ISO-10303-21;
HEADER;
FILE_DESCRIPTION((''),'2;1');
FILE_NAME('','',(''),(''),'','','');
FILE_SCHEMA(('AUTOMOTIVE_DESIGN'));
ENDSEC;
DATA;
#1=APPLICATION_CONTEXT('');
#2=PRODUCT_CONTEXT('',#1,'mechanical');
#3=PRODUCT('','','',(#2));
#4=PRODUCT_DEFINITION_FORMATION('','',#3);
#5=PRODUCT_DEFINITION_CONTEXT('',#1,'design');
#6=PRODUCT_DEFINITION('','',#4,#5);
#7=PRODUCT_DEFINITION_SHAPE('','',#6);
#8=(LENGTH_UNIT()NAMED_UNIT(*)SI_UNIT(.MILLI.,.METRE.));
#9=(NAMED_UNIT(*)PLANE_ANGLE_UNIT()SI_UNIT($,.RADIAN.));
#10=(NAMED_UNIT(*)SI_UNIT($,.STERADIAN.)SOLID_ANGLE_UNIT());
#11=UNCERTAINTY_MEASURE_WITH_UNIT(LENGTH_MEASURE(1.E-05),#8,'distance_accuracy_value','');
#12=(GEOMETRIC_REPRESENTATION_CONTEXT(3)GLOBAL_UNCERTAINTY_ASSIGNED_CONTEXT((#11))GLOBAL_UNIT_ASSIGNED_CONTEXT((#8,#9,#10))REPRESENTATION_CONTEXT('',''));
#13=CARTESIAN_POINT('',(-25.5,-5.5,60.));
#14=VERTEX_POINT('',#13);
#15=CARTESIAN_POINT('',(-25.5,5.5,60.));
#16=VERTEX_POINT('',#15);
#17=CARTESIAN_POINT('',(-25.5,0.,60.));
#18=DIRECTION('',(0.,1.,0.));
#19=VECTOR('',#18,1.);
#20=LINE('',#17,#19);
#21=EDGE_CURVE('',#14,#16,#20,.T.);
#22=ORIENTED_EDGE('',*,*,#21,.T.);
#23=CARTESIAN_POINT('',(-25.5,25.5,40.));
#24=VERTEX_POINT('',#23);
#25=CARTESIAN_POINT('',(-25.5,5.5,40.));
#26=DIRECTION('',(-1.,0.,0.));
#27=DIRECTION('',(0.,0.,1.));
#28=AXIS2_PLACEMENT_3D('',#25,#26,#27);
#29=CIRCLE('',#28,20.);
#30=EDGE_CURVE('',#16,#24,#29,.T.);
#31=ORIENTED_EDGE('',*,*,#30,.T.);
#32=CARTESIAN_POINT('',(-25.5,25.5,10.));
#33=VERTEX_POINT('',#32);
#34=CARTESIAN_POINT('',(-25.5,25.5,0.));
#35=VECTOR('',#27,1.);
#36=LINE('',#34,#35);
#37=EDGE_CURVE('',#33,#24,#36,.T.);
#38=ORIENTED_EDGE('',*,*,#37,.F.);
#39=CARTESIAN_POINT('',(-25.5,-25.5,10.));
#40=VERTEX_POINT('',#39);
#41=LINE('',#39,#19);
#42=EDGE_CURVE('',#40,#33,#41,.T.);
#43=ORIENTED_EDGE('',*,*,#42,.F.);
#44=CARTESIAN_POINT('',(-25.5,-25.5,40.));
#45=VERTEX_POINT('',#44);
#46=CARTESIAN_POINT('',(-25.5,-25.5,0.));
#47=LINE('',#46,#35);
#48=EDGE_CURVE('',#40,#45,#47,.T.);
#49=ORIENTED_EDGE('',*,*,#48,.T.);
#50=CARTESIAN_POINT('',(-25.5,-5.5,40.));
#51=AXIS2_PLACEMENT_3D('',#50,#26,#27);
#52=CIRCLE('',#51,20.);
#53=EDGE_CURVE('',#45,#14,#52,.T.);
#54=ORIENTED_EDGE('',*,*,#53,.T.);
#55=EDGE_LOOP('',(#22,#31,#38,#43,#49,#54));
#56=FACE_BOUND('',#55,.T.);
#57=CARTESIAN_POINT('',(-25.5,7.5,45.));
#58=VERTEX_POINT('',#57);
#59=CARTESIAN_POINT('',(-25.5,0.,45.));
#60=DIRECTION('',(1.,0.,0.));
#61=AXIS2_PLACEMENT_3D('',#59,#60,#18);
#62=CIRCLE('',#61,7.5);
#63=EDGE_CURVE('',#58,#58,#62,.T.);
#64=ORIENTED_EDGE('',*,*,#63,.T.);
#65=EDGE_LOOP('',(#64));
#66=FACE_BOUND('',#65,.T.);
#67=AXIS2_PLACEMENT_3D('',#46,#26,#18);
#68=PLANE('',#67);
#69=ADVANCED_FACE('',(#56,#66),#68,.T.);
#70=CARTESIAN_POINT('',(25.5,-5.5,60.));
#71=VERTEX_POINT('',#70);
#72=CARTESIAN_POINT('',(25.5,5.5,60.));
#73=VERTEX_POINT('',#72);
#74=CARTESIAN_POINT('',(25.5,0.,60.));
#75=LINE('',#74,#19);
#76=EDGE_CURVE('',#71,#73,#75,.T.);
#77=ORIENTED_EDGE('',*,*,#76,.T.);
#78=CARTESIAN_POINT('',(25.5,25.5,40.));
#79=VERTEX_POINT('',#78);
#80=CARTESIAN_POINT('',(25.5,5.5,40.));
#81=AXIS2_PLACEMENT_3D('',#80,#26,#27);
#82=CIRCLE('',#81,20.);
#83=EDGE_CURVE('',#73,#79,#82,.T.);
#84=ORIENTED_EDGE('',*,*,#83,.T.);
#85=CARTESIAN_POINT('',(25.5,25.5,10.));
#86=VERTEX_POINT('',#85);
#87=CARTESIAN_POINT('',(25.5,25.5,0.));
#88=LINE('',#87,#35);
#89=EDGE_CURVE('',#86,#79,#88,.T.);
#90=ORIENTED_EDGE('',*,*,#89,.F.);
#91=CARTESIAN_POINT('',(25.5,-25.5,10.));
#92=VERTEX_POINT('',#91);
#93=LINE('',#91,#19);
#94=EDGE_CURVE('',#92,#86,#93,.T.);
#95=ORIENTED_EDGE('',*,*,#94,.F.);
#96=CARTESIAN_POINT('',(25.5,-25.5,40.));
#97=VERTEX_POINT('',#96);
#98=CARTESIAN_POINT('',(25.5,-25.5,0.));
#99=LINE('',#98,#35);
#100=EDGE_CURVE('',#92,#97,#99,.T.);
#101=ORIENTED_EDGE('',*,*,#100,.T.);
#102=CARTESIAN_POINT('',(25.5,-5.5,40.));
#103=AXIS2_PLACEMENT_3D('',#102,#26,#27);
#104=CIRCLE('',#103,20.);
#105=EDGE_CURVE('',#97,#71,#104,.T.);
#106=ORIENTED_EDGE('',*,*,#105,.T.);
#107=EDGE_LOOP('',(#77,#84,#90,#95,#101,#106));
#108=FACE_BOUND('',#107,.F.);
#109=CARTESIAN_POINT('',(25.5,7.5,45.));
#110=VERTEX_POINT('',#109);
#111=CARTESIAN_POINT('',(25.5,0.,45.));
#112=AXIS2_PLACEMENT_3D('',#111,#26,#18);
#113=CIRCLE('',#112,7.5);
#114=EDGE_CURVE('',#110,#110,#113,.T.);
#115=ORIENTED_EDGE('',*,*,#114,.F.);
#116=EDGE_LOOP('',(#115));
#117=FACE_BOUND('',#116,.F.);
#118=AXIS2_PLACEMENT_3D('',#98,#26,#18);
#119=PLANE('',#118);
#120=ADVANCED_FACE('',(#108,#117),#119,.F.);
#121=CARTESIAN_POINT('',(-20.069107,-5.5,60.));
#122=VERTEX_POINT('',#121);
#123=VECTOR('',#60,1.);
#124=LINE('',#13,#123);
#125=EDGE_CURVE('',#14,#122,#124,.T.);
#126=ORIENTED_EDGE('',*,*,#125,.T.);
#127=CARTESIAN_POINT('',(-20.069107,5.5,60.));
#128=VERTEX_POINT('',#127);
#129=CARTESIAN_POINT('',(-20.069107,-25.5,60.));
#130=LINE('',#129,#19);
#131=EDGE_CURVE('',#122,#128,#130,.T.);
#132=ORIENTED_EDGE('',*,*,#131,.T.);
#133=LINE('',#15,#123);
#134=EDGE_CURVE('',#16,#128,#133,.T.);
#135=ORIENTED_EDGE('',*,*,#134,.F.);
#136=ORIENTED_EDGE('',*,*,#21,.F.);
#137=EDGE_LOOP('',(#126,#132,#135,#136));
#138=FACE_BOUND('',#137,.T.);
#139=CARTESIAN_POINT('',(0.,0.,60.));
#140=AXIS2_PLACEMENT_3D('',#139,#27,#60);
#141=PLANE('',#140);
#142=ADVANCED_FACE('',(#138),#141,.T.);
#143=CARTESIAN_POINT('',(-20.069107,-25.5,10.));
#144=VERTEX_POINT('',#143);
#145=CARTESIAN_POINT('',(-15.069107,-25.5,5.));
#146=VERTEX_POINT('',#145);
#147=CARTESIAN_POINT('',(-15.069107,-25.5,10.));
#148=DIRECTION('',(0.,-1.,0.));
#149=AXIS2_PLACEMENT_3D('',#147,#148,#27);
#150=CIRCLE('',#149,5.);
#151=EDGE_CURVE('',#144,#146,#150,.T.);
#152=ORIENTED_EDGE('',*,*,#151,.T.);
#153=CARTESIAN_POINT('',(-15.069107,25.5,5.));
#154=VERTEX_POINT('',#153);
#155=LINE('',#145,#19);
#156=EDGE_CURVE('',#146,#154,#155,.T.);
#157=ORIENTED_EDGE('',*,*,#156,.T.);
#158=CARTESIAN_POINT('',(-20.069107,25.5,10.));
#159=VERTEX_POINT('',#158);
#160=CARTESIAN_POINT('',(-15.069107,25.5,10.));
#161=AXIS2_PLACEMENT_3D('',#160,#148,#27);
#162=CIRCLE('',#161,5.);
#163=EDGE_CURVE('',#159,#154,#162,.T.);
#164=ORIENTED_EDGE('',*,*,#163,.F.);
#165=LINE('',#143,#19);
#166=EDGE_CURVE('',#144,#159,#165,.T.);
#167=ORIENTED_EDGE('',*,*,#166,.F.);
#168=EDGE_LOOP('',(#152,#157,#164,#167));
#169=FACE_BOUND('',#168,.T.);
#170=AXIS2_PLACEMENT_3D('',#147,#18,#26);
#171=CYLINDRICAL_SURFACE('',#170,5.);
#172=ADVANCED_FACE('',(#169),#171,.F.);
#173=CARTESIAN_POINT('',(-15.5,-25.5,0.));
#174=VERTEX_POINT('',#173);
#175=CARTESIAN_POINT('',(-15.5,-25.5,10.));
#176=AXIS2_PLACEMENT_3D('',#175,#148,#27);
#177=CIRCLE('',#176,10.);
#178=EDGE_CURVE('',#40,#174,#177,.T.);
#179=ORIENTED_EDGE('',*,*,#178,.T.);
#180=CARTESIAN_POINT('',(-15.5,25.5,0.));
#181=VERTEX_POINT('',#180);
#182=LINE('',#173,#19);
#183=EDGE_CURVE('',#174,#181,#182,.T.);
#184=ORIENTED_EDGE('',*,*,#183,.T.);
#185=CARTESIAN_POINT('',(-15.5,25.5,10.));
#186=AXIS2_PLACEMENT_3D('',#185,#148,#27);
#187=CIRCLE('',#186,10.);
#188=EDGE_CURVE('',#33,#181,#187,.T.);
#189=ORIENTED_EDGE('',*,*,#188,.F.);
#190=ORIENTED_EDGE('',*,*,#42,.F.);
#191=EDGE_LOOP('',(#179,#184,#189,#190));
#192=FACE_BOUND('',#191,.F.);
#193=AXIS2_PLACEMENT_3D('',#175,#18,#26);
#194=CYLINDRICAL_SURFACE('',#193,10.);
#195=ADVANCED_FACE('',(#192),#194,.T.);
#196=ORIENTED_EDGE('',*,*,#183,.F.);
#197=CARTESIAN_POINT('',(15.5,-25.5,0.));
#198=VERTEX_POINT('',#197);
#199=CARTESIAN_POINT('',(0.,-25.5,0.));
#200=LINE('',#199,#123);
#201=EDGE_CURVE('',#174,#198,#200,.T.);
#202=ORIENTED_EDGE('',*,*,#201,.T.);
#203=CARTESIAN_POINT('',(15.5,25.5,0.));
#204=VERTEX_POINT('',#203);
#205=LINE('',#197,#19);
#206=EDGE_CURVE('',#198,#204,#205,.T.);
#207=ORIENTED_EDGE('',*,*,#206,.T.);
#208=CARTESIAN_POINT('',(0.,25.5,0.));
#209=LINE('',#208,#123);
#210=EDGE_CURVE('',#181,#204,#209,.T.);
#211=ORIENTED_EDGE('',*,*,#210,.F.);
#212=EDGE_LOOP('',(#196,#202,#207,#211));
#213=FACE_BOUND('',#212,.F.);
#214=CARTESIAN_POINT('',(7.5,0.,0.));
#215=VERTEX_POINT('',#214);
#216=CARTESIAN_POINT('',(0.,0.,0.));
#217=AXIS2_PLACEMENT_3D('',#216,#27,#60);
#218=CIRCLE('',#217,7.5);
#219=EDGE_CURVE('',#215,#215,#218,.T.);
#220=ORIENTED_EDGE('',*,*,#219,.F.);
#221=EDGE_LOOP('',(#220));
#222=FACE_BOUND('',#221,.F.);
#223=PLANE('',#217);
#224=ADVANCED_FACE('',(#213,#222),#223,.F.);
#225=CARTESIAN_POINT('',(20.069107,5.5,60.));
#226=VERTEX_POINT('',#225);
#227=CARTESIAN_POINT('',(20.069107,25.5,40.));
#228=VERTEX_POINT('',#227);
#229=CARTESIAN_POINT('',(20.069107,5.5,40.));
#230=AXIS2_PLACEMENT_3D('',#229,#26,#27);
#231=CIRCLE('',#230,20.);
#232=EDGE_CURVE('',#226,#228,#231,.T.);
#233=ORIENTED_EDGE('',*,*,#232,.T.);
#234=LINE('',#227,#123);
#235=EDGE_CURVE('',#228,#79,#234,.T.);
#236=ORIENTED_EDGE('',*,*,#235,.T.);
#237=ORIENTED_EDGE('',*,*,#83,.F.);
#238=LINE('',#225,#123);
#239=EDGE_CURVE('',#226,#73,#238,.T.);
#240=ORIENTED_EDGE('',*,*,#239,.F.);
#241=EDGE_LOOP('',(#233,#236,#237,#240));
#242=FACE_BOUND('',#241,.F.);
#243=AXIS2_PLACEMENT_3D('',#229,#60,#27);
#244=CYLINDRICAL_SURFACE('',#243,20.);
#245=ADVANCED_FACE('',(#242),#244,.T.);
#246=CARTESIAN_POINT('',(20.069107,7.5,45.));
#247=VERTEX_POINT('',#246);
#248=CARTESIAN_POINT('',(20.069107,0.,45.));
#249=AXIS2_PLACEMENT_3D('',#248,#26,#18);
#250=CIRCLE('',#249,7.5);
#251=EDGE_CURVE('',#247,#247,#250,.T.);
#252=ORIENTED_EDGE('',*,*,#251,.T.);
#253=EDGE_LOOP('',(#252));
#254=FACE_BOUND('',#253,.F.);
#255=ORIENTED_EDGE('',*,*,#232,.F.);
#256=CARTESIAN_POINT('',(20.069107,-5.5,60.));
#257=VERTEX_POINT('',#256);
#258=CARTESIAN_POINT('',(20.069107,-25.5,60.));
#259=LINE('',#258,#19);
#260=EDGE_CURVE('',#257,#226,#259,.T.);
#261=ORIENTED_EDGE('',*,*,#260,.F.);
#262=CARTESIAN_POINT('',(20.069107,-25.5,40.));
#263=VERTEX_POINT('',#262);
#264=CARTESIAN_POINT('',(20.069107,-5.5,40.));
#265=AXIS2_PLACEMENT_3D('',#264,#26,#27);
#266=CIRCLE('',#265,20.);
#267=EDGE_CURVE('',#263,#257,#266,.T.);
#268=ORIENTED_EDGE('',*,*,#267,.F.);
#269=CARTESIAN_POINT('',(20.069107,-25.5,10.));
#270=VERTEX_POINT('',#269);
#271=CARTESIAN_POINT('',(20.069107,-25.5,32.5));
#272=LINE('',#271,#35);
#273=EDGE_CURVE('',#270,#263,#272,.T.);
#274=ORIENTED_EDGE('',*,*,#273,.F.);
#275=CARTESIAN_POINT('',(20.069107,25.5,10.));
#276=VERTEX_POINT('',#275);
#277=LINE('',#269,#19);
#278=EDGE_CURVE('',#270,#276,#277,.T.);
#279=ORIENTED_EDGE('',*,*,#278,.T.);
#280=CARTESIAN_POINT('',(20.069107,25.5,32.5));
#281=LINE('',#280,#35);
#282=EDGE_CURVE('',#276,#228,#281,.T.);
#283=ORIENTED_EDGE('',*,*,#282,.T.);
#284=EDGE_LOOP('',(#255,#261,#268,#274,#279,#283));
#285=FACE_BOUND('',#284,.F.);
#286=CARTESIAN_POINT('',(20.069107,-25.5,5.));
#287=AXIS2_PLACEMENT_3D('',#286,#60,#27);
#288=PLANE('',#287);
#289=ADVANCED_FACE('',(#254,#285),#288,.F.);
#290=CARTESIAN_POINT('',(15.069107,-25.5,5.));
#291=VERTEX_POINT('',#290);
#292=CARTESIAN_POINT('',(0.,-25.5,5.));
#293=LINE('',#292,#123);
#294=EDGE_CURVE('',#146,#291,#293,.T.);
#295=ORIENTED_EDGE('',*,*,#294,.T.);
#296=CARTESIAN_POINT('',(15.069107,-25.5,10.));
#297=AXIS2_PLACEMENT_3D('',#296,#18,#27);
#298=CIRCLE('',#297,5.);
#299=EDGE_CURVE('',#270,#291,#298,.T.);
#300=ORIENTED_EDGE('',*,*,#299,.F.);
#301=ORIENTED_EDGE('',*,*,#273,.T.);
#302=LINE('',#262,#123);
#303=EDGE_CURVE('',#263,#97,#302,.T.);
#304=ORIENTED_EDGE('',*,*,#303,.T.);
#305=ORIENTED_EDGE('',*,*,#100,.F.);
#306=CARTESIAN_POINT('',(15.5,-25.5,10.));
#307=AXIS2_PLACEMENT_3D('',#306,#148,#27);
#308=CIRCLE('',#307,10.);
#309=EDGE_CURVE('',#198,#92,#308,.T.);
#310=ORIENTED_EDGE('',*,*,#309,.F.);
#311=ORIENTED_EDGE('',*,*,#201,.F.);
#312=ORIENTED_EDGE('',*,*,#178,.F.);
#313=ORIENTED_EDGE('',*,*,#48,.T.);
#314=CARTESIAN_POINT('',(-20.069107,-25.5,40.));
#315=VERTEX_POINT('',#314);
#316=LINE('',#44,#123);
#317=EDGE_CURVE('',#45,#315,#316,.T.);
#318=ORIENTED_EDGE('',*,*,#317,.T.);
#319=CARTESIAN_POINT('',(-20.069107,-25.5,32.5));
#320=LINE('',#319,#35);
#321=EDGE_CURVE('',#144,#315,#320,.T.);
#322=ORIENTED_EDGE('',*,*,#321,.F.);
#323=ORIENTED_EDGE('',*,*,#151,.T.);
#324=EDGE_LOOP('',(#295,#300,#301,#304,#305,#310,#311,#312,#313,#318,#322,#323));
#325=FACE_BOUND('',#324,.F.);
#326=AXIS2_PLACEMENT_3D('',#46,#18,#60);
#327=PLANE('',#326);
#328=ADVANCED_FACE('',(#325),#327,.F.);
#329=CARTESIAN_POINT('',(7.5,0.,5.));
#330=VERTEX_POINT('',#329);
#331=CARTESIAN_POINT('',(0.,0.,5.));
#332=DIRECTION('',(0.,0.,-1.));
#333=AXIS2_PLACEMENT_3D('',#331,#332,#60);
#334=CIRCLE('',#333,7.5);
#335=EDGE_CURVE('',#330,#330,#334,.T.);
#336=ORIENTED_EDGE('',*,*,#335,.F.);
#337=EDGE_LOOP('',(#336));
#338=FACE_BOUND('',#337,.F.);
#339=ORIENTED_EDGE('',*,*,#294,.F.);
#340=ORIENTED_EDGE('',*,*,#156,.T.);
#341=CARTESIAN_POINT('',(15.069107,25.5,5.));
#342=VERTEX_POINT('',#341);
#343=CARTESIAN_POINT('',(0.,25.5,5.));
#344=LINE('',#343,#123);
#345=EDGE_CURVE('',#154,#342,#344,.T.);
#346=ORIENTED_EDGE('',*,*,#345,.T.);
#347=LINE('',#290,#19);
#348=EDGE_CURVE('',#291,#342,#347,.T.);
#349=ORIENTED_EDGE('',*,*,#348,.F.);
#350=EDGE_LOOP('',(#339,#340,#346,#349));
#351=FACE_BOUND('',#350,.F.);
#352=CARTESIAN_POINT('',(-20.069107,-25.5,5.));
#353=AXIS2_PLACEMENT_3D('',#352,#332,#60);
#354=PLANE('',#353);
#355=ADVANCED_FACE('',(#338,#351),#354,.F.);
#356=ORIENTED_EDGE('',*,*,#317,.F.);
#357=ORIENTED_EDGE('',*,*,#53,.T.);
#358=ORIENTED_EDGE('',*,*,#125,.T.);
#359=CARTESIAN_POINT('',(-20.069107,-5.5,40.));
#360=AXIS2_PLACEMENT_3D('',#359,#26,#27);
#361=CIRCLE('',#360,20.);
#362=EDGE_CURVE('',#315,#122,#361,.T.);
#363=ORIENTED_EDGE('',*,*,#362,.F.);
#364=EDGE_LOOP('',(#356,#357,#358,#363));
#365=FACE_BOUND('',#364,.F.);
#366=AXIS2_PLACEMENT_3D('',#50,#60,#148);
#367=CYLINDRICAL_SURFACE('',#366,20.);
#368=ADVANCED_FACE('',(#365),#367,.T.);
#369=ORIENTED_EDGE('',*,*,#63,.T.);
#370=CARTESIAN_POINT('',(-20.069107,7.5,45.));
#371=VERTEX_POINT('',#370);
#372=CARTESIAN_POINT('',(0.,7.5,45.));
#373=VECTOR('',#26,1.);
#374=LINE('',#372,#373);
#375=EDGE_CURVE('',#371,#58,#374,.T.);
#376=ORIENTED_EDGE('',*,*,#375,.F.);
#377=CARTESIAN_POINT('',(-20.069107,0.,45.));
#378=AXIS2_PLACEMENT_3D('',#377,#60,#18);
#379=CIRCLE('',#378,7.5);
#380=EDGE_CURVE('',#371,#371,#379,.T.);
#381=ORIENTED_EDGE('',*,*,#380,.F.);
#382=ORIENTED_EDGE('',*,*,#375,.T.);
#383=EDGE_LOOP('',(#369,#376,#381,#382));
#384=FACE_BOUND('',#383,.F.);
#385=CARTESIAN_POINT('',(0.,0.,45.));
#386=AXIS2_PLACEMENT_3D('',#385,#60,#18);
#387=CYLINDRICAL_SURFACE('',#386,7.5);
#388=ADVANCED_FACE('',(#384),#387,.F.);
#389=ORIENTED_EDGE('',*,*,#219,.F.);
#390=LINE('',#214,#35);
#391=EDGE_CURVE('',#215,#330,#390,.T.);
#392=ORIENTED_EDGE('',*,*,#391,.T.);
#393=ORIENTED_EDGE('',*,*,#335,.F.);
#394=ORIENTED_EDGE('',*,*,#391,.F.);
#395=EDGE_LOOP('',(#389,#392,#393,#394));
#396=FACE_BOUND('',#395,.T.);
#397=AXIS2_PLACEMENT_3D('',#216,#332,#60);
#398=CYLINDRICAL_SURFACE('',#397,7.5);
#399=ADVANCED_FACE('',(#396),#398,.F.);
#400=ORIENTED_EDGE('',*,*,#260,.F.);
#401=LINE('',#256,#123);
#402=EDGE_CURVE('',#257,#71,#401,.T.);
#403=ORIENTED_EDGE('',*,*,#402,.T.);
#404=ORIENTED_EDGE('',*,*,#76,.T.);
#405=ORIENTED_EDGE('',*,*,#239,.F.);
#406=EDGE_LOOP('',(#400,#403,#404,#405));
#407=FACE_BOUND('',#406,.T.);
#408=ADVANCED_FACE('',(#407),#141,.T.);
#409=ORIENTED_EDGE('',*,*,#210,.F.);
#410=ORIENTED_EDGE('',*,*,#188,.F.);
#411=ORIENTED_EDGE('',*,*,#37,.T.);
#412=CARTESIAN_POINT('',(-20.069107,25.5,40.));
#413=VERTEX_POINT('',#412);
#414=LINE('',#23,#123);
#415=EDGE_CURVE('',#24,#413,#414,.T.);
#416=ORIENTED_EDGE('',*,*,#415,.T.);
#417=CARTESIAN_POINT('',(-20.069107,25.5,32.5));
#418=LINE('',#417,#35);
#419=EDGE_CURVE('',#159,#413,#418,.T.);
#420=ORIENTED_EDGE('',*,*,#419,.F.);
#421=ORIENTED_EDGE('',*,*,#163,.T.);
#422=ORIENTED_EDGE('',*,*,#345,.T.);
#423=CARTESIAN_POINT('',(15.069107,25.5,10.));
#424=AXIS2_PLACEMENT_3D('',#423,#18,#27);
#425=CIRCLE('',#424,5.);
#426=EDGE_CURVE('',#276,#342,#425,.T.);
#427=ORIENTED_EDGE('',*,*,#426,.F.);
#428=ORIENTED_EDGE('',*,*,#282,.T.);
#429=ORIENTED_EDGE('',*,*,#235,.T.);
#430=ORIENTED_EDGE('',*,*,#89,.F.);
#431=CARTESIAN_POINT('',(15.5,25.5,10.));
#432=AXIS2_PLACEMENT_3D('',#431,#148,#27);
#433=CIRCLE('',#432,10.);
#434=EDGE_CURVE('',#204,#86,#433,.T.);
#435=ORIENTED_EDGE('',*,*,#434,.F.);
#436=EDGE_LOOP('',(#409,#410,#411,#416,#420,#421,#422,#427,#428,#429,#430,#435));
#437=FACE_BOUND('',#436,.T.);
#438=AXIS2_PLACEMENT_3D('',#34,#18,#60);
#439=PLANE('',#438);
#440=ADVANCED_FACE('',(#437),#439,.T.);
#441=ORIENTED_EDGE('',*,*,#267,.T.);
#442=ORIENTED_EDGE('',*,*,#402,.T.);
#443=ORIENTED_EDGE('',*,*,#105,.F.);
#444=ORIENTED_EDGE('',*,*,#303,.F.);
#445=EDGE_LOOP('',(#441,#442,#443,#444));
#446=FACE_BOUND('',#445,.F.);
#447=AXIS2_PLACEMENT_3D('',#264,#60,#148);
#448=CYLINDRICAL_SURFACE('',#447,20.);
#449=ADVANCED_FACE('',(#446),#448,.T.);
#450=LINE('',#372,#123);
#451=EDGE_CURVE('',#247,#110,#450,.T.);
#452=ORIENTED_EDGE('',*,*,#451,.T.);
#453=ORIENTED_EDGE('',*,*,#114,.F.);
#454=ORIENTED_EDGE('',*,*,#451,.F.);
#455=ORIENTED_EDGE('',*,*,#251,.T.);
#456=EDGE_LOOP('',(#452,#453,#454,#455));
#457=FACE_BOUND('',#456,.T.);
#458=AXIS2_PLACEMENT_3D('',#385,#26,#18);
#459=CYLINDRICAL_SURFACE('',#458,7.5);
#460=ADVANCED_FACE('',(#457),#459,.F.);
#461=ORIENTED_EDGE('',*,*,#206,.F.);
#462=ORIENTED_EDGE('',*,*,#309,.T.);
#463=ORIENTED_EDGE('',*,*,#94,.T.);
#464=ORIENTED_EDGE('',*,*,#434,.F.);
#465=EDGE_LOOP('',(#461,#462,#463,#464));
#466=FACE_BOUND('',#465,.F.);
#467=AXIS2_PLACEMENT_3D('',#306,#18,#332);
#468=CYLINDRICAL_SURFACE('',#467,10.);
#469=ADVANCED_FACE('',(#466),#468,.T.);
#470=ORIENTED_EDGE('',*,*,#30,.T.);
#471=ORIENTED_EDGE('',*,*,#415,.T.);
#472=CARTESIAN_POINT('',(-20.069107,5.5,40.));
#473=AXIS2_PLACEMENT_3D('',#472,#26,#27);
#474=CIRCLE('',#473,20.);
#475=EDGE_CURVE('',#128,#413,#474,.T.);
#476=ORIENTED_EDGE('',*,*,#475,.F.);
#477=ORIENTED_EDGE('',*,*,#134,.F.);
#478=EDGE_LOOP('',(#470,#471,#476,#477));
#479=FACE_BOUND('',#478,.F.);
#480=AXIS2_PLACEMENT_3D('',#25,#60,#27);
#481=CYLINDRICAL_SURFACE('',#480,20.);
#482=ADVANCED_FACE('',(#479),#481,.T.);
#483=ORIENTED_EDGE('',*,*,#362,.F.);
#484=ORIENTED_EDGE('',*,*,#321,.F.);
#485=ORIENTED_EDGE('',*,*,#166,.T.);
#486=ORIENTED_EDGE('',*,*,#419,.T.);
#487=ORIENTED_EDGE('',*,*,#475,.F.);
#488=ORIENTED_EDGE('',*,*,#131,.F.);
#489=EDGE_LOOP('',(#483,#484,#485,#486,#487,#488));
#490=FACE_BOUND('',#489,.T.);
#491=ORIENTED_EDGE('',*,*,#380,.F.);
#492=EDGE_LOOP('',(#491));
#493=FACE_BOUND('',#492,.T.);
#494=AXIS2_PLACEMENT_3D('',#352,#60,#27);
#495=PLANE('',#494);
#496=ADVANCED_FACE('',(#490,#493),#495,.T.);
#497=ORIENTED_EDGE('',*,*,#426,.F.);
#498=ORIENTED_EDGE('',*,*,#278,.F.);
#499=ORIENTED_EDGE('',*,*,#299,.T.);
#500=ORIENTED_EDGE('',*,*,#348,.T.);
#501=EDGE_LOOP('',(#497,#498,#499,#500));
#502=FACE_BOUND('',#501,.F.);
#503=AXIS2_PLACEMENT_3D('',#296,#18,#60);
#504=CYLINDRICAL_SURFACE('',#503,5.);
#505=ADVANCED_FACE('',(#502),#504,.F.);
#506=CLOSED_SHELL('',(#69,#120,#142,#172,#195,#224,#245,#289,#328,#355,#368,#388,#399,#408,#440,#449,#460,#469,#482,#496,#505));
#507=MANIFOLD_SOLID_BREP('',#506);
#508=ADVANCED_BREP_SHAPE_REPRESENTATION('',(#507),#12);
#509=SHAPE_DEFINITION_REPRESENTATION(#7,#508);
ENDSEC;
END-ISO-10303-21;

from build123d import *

# Parameters (mm, degrees)
F0_W          = 51
F0_H          = 51
F1_DEPTH      = 60
F2_W          = 40.138214
F2_H          = 55
F3_DEPTH      = 51
F4_R          = 7.5
F5_DEPTH      = 60.001
F6_R          = 7.5
F7_DEPTH      = 25.501
F7_DEPTH_BACK = 88.263765
F8_R          = 10
F9_R          = 5
F10_R         = 20


with BuildPart() as f1:
    # F0 (on Top) → F1 (new body)
    with BuildSketch(Plane.XY):
        Rectangle(F0_W, F0_H)
    extrude(amount=F1_DEPTH)

    # F2 (on face) → F3 (cut)
    with BuildSketch(Plane.XZ.offset(25.5)):
        with Locations((0, 32.5)):
            Rectangle(F2_W, F2_H)
    extrude(amount=-F3_DEPTH, mode=Mode.SUBTRACT)

    # F4 (on Top) → F5 (cut, through all)
    with BuildSketch(Plane.XY):
        Circle(F4_R)
    extrude(amount=F5_DEPTH, mode=Mode.SUBTRACT)

    # F6 (on Right) → F7 (cut, two sides)
    with BuildSketch(Plane.YZ) as f7_sk:
        with Locations((0, 45)):
            Circle(F6_R)
    extrude(amount=F7_DEPTH, mode=Mode.SUBTRACT)
    extrude(f7_sk.sketch, amount=-F7_DEPTH_BACK, mode=Mode.SUBTRACT)

    # F8
    f8_edges = [f1.edges().sort_by_distance(p)[0] for p in [
        (-25.5, 0, 0),
        (25.5, 0, 0),
    ]]
    fillet(f8_edges, radius=F8_R)

    # F9
    f9_edges = [f1.edges().sort_by_distance(p)[0] for p in [
        (-20.069107, 0, 5),
        (20.069107, 0, 5),
    ]]
    fillet(f9_edges, radius=F9_R)

    # F10
    f10_edges = [f1.edges().sort_by_distance(p)[0] for p in [
        (22.784554, 25.5, 60),
        (-22.784554, 25.5, 60),
        (22.784554, -25.5, 60),
        (-22.784554, -25.5, 60),
    ]]
    fillet(f10_edges, radius=F10_R)


solid = f1.part
